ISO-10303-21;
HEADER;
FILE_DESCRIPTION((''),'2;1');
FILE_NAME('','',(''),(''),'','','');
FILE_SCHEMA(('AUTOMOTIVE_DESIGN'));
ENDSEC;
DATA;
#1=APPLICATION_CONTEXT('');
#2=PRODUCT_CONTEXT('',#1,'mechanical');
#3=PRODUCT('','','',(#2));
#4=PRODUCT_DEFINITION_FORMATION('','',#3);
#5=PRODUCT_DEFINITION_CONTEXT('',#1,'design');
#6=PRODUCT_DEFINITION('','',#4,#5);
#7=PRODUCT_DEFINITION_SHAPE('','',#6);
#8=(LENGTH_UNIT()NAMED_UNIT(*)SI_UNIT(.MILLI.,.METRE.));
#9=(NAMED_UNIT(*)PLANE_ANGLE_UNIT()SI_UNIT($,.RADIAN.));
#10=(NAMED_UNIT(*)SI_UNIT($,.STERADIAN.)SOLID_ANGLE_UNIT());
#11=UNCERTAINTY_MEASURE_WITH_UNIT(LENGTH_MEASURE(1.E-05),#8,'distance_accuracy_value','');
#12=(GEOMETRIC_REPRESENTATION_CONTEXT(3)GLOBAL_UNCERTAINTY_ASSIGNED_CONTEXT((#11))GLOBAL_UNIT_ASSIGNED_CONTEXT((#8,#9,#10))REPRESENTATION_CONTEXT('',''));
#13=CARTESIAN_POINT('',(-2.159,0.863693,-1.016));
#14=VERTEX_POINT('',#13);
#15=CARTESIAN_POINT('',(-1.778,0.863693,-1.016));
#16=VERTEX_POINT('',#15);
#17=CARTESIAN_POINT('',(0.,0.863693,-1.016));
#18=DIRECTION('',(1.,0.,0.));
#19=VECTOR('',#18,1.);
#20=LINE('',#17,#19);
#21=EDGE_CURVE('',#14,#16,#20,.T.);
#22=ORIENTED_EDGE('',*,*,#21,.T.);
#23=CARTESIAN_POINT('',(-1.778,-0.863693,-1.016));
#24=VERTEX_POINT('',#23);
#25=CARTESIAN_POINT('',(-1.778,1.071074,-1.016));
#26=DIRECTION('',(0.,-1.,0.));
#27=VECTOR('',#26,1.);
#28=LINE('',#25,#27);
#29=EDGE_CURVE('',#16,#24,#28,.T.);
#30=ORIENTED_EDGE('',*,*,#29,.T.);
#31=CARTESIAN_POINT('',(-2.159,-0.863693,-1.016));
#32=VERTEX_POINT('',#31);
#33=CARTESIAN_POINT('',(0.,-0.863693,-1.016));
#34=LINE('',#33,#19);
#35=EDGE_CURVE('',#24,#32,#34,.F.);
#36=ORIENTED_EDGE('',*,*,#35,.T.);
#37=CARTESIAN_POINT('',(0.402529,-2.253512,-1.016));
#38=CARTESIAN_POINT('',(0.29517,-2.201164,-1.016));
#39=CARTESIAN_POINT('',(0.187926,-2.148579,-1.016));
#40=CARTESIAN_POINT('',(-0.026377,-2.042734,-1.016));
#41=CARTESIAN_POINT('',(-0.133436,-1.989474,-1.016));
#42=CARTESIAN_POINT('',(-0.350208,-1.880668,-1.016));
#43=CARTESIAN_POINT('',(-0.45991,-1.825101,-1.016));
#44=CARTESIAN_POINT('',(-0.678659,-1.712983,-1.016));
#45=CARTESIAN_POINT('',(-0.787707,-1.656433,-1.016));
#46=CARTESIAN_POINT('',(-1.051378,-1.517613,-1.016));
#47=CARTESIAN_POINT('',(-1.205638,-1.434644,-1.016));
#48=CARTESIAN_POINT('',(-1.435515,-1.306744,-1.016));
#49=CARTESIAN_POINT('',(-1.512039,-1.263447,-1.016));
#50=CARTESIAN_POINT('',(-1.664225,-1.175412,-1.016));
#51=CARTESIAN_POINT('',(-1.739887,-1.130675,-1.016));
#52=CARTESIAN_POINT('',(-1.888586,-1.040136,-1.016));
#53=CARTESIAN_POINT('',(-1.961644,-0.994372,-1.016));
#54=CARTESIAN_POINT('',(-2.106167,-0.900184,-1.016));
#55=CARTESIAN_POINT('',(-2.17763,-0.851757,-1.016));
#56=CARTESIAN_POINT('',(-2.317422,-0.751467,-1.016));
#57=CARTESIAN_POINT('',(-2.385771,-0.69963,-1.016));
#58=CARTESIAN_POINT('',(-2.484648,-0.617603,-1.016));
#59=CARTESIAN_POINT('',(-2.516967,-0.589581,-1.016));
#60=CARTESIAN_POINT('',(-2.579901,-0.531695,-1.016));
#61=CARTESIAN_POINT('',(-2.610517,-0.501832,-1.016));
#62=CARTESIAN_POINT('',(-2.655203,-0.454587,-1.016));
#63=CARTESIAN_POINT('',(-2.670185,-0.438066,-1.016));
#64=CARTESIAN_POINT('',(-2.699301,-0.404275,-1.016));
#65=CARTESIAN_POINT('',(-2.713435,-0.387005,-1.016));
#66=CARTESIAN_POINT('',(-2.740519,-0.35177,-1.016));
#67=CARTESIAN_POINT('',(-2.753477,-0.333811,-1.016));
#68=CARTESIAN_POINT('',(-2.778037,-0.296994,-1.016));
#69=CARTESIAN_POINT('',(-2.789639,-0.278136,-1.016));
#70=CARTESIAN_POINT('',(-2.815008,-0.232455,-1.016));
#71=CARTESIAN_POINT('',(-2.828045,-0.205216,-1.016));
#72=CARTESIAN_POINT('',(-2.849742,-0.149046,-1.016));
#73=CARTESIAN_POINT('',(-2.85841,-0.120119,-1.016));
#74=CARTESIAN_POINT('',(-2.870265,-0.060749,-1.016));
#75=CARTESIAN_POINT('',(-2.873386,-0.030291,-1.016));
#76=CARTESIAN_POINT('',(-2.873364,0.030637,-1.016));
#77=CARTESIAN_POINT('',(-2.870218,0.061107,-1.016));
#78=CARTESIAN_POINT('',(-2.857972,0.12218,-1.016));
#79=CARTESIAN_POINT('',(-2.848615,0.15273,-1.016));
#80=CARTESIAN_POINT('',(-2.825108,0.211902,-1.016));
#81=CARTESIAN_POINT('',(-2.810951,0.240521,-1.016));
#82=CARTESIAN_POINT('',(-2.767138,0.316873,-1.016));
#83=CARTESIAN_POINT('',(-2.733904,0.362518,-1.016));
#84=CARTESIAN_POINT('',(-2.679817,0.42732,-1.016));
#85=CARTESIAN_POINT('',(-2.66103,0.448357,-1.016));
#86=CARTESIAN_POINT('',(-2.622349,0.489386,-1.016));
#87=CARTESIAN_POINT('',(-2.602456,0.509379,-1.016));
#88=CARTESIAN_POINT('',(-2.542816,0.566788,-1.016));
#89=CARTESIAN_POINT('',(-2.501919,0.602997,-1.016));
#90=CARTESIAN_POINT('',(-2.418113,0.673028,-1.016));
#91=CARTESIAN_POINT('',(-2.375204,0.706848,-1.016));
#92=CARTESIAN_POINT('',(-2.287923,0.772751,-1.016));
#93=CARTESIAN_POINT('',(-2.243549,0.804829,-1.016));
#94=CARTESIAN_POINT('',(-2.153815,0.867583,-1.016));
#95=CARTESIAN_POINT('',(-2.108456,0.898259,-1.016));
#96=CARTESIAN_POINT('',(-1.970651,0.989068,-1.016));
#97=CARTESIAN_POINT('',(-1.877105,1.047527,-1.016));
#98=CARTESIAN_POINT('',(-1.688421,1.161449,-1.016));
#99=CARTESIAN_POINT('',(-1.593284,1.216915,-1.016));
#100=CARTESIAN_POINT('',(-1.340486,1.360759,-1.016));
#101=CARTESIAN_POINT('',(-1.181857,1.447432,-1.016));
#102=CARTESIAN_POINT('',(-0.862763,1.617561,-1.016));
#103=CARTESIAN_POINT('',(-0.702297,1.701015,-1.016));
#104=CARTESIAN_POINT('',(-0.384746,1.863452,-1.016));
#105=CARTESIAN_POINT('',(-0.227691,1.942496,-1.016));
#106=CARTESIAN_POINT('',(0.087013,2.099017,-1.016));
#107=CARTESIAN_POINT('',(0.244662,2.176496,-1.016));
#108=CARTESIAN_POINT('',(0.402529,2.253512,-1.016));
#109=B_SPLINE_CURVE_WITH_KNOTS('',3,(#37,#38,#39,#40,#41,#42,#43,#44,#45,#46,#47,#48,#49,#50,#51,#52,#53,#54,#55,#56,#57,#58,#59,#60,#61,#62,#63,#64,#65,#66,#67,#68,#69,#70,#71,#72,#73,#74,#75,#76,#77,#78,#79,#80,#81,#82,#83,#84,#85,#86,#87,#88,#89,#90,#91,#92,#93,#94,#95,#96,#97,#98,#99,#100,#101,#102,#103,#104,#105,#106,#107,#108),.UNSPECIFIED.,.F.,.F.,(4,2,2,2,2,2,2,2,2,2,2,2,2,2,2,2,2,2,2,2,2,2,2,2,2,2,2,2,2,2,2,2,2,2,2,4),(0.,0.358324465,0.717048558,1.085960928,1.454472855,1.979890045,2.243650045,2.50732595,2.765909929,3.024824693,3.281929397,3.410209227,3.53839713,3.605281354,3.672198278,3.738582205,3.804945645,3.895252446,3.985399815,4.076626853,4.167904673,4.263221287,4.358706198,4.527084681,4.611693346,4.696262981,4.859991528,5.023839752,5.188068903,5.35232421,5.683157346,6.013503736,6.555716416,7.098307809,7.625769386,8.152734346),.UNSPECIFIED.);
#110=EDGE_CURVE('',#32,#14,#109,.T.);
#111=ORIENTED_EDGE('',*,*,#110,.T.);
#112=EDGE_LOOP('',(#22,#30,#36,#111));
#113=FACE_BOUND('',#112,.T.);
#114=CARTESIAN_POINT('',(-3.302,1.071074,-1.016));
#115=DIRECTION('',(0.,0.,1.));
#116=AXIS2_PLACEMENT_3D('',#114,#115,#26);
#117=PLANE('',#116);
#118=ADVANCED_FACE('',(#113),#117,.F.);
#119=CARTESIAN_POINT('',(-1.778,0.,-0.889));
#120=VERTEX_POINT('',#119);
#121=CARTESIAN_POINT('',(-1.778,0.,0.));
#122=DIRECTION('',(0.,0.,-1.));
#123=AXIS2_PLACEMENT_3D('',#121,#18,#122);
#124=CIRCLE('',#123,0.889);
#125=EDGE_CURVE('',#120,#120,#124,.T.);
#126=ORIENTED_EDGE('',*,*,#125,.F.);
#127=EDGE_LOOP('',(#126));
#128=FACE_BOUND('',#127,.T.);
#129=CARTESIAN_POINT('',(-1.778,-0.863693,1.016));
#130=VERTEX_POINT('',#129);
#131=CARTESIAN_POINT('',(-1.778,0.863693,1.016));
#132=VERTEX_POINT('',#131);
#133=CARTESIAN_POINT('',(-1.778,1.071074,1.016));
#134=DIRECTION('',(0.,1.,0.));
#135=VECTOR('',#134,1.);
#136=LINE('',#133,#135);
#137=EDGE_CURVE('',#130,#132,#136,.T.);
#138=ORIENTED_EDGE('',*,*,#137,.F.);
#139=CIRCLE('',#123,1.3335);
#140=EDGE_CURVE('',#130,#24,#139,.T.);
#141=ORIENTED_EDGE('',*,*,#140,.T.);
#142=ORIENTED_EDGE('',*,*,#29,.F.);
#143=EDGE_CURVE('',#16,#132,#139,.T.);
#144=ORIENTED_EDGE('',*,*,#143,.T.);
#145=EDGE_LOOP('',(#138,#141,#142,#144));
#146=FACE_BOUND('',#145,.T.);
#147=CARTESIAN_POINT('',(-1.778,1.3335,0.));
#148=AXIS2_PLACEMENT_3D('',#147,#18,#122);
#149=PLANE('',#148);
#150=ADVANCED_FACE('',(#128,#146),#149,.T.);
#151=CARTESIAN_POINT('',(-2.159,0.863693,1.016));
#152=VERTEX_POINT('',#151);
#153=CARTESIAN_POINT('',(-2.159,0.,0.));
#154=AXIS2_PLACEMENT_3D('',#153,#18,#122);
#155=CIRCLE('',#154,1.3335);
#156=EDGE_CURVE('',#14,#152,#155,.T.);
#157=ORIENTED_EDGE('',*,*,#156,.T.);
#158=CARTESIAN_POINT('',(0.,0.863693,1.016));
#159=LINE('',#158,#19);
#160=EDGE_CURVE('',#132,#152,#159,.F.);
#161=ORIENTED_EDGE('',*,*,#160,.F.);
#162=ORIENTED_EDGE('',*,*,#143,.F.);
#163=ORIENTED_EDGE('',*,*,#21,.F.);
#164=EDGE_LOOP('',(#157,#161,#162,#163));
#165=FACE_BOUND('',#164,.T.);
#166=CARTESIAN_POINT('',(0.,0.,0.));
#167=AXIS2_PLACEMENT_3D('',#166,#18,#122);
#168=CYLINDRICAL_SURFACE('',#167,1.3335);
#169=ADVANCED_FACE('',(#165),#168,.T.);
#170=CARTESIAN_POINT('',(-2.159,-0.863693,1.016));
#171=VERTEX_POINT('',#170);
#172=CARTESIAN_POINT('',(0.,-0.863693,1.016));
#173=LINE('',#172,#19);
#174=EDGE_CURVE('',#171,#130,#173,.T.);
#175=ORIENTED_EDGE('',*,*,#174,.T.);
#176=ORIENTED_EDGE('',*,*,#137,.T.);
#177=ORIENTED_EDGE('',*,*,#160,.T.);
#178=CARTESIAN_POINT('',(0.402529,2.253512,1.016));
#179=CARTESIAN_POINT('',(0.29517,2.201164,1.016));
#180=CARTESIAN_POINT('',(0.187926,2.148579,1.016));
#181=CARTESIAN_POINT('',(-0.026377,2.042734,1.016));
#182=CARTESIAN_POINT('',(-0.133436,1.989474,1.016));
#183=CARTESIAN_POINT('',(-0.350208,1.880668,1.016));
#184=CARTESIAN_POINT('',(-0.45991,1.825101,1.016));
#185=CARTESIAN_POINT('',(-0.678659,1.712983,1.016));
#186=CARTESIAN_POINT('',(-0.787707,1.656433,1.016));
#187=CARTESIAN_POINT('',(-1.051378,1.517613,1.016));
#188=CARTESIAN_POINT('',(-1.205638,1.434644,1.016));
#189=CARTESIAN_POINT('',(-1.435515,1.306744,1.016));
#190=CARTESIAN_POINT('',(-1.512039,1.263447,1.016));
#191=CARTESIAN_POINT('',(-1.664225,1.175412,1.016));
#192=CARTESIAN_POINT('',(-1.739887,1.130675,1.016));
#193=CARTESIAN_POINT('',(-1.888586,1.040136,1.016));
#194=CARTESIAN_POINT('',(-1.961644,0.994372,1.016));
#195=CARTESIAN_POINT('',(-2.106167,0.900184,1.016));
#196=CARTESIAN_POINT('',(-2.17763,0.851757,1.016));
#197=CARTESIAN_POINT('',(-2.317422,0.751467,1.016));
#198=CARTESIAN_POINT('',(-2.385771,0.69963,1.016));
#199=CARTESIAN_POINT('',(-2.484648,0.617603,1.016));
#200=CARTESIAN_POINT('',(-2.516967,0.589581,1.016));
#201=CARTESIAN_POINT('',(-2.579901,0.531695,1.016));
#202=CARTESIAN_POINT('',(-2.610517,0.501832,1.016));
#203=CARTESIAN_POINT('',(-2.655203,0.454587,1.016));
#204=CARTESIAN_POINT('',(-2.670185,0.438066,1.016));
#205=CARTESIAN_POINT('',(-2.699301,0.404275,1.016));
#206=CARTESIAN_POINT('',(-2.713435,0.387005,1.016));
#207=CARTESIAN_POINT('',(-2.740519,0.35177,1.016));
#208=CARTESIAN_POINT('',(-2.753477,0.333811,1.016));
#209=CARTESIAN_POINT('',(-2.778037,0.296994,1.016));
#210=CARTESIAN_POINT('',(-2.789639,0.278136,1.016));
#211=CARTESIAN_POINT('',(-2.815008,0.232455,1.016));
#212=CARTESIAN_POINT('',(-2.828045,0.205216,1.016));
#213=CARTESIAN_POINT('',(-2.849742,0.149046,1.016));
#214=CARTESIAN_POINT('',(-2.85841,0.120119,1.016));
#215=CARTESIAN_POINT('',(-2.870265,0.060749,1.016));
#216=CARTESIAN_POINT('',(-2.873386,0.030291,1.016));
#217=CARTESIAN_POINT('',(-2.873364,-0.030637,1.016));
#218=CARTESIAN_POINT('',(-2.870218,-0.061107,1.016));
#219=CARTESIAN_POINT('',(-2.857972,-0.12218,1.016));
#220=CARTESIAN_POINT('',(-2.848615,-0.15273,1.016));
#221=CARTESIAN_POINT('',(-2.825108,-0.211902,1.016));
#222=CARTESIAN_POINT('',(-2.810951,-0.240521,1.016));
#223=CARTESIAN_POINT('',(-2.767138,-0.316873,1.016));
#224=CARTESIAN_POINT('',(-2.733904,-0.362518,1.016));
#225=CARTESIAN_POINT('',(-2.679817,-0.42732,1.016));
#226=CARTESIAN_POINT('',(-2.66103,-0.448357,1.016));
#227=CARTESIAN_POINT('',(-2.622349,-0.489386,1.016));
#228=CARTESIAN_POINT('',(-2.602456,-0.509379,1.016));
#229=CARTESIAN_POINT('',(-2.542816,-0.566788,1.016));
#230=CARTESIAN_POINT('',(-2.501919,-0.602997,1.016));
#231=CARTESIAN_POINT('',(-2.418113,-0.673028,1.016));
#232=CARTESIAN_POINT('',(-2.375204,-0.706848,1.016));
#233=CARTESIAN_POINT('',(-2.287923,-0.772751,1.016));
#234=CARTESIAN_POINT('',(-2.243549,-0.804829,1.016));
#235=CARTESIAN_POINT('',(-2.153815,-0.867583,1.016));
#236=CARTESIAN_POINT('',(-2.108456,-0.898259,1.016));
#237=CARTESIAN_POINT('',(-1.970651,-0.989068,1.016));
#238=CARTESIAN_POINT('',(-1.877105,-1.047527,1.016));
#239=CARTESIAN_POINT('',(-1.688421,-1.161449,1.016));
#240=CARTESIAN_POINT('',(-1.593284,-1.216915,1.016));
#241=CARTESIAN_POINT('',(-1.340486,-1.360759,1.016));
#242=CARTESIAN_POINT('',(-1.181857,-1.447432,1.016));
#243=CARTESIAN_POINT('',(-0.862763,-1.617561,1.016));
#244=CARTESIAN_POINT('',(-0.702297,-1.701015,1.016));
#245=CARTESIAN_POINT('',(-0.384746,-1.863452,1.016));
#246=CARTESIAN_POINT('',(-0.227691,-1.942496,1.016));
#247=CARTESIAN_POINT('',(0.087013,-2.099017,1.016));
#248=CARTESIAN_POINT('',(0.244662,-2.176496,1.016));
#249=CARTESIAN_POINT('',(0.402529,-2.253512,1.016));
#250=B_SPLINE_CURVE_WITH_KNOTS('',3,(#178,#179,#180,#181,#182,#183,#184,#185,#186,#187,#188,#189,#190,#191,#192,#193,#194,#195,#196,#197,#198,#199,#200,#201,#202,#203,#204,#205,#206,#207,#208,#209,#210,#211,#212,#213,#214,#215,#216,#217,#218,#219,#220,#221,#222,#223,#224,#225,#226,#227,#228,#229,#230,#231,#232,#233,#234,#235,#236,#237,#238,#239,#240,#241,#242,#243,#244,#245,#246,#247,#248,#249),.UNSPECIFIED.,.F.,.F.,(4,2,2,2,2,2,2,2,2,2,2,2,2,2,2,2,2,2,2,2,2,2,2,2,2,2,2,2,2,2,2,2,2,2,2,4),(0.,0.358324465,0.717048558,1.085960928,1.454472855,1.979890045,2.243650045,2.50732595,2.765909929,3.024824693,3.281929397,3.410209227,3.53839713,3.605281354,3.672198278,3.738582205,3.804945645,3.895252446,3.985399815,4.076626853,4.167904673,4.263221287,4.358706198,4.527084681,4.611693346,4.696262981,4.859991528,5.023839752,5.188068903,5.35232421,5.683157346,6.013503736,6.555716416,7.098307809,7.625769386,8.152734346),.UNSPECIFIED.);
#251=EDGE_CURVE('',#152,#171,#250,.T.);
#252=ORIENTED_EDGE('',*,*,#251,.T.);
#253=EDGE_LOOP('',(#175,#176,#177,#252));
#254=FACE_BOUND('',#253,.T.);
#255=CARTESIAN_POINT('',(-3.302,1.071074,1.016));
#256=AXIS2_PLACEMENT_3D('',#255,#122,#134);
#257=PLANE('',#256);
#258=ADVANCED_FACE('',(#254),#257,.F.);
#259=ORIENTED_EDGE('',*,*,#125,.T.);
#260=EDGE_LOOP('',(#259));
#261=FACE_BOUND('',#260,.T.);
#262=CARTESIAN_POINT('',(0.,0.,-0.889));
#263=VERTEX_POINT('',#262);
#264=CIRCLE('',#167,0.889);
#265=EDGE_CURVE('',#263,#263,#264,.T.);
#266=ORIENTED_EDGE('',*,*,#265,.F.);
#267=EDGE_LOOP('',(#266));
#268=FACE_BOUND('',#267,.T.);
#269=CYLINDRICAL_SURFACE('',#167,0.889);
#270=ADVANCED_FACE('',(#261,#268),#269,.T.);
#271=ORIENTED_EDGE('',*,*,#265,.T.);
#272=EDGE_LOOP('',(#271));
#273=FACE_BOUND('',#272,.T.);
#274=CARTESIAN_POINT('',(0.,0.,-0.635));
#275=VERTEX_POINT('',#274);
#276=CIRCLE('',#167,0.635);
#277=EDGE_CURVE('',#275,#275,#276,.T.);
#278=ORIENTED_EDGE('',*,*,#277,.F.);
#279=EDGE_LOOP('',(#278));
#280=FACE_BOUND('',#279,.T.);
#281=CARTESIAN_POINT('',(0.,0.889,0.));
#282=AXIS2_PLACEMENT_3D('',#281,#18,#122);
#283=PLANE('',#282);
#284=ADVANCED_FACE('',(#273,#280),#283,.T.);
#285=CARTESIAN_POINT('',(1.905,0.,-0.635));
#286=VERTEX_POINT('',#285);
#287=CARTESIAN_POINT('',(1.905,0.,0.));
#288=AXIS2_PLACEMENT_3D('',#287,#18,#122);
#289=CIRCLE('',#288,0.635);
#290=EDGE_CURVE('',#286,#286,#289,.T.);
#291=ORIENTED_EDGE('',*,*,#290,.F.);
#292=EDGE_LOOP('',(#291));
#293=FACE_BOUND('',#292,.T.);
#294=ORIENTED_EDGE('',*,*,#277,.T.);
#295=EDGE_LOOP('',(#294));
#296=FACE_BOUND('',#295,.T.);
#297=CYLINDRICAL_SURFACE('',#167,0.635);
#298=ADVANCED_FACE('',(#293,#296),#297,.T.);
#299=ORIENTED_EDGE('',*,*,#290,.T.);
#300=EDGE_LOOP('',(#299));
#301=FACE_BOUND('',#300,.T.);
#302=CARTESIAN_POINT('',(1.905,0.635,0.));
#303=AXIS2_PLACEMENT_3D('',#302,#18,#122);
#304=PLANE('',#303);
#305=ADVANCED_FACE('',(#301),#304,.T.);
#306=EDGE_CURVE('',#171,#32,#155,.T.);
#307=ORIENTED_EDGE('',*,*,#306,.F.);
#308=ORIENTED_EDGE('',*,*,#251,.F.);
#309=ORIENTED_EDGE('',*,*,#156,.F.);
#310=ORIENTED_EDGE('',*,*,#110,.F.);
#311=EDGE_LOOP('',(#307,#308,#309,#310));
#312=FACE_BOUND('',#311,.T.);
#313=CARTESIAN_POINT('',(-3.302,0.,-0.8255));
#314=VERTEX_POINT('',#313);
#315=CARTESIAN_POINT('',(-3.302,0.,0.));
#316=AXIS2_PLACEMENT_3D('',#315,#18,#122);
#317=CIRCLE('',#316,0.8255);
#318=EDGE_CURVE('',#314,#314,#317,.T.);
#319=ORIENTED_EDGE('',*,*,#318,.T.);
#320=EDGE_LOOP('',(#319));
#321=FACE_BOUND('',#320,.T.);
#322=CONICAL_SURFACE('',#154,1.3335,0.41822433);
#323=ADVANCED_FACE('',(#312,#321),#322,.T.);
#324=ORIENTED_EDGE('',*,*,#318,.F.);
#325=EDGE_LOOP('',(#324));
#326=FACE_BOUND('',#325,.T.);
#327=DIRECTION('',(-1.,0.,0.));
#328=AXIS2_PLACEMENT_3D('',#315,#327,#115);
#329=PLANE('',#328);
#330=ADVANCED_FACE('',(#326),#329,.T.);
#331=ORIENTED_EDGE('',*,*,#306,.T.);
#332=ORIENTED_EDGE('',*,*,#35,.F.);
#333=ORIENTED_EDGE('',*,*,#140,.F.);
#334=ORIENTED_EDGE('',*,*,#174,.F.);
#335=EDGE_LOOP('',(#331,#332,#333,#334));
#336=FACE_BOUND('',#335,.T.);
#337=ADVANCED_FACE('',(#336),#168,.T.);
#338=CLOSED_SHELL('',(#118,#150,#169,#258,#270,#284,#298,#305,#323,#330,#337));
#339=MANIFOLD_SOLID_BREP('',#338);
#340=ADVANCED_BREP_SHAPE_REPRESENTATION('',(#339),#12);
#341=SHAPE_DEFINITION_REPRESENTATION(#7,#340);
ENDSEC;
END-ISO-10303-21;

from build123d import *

# Parameters (mm, degrees)
SKETCH2_W          = 0.562344702
SKETCH2_H          = 2.292150926
CUT_EXTRUDE1_DEPTH = 5.137744978


with BuildPart() as part:
    # Sketch1 → Revolve1 (revolve)
    with BuildSketch(Plane.XY, mode=Mode.PRIVATE) as revolve1_sk:
        Polygon((-1.778, 0.889), (0, 0.889), (0, 0.635), (1.905, 0.635), (1.905, 0), (-3.302, 0), (-3.302, 0.8255), (-2.159, 1.3335), (-1.778, 1.3335), align=None)
    revolve(revolve1_sk.sketch.rotate(Axis((0, 0, 0), (-1, 0, 0)), 90), axis=Axis((0, 0, 0), (-1, 0, 0)))

    # Sketch2 → Cut-Extrude1 (cut, through all)
    with BuildSketch(Plane(origin=(-1.778, 0, 0), x_dir=(0, 0, -1), z_dir=(1, 0, 0))):
        with Locations((-1.297172351, -0.075001494)):
            Rectangle(SKETCH2_W, SKETCH2_H)
        with Locations((1.297172351, -0.075001494)):
            Rectangle(SKETCH2_W, SKETCH2_H)
    extrude(amount=-CUT_EXTRUDE1_DEPTH, mode=Mode.SUBTRACT)


solid = part.part
